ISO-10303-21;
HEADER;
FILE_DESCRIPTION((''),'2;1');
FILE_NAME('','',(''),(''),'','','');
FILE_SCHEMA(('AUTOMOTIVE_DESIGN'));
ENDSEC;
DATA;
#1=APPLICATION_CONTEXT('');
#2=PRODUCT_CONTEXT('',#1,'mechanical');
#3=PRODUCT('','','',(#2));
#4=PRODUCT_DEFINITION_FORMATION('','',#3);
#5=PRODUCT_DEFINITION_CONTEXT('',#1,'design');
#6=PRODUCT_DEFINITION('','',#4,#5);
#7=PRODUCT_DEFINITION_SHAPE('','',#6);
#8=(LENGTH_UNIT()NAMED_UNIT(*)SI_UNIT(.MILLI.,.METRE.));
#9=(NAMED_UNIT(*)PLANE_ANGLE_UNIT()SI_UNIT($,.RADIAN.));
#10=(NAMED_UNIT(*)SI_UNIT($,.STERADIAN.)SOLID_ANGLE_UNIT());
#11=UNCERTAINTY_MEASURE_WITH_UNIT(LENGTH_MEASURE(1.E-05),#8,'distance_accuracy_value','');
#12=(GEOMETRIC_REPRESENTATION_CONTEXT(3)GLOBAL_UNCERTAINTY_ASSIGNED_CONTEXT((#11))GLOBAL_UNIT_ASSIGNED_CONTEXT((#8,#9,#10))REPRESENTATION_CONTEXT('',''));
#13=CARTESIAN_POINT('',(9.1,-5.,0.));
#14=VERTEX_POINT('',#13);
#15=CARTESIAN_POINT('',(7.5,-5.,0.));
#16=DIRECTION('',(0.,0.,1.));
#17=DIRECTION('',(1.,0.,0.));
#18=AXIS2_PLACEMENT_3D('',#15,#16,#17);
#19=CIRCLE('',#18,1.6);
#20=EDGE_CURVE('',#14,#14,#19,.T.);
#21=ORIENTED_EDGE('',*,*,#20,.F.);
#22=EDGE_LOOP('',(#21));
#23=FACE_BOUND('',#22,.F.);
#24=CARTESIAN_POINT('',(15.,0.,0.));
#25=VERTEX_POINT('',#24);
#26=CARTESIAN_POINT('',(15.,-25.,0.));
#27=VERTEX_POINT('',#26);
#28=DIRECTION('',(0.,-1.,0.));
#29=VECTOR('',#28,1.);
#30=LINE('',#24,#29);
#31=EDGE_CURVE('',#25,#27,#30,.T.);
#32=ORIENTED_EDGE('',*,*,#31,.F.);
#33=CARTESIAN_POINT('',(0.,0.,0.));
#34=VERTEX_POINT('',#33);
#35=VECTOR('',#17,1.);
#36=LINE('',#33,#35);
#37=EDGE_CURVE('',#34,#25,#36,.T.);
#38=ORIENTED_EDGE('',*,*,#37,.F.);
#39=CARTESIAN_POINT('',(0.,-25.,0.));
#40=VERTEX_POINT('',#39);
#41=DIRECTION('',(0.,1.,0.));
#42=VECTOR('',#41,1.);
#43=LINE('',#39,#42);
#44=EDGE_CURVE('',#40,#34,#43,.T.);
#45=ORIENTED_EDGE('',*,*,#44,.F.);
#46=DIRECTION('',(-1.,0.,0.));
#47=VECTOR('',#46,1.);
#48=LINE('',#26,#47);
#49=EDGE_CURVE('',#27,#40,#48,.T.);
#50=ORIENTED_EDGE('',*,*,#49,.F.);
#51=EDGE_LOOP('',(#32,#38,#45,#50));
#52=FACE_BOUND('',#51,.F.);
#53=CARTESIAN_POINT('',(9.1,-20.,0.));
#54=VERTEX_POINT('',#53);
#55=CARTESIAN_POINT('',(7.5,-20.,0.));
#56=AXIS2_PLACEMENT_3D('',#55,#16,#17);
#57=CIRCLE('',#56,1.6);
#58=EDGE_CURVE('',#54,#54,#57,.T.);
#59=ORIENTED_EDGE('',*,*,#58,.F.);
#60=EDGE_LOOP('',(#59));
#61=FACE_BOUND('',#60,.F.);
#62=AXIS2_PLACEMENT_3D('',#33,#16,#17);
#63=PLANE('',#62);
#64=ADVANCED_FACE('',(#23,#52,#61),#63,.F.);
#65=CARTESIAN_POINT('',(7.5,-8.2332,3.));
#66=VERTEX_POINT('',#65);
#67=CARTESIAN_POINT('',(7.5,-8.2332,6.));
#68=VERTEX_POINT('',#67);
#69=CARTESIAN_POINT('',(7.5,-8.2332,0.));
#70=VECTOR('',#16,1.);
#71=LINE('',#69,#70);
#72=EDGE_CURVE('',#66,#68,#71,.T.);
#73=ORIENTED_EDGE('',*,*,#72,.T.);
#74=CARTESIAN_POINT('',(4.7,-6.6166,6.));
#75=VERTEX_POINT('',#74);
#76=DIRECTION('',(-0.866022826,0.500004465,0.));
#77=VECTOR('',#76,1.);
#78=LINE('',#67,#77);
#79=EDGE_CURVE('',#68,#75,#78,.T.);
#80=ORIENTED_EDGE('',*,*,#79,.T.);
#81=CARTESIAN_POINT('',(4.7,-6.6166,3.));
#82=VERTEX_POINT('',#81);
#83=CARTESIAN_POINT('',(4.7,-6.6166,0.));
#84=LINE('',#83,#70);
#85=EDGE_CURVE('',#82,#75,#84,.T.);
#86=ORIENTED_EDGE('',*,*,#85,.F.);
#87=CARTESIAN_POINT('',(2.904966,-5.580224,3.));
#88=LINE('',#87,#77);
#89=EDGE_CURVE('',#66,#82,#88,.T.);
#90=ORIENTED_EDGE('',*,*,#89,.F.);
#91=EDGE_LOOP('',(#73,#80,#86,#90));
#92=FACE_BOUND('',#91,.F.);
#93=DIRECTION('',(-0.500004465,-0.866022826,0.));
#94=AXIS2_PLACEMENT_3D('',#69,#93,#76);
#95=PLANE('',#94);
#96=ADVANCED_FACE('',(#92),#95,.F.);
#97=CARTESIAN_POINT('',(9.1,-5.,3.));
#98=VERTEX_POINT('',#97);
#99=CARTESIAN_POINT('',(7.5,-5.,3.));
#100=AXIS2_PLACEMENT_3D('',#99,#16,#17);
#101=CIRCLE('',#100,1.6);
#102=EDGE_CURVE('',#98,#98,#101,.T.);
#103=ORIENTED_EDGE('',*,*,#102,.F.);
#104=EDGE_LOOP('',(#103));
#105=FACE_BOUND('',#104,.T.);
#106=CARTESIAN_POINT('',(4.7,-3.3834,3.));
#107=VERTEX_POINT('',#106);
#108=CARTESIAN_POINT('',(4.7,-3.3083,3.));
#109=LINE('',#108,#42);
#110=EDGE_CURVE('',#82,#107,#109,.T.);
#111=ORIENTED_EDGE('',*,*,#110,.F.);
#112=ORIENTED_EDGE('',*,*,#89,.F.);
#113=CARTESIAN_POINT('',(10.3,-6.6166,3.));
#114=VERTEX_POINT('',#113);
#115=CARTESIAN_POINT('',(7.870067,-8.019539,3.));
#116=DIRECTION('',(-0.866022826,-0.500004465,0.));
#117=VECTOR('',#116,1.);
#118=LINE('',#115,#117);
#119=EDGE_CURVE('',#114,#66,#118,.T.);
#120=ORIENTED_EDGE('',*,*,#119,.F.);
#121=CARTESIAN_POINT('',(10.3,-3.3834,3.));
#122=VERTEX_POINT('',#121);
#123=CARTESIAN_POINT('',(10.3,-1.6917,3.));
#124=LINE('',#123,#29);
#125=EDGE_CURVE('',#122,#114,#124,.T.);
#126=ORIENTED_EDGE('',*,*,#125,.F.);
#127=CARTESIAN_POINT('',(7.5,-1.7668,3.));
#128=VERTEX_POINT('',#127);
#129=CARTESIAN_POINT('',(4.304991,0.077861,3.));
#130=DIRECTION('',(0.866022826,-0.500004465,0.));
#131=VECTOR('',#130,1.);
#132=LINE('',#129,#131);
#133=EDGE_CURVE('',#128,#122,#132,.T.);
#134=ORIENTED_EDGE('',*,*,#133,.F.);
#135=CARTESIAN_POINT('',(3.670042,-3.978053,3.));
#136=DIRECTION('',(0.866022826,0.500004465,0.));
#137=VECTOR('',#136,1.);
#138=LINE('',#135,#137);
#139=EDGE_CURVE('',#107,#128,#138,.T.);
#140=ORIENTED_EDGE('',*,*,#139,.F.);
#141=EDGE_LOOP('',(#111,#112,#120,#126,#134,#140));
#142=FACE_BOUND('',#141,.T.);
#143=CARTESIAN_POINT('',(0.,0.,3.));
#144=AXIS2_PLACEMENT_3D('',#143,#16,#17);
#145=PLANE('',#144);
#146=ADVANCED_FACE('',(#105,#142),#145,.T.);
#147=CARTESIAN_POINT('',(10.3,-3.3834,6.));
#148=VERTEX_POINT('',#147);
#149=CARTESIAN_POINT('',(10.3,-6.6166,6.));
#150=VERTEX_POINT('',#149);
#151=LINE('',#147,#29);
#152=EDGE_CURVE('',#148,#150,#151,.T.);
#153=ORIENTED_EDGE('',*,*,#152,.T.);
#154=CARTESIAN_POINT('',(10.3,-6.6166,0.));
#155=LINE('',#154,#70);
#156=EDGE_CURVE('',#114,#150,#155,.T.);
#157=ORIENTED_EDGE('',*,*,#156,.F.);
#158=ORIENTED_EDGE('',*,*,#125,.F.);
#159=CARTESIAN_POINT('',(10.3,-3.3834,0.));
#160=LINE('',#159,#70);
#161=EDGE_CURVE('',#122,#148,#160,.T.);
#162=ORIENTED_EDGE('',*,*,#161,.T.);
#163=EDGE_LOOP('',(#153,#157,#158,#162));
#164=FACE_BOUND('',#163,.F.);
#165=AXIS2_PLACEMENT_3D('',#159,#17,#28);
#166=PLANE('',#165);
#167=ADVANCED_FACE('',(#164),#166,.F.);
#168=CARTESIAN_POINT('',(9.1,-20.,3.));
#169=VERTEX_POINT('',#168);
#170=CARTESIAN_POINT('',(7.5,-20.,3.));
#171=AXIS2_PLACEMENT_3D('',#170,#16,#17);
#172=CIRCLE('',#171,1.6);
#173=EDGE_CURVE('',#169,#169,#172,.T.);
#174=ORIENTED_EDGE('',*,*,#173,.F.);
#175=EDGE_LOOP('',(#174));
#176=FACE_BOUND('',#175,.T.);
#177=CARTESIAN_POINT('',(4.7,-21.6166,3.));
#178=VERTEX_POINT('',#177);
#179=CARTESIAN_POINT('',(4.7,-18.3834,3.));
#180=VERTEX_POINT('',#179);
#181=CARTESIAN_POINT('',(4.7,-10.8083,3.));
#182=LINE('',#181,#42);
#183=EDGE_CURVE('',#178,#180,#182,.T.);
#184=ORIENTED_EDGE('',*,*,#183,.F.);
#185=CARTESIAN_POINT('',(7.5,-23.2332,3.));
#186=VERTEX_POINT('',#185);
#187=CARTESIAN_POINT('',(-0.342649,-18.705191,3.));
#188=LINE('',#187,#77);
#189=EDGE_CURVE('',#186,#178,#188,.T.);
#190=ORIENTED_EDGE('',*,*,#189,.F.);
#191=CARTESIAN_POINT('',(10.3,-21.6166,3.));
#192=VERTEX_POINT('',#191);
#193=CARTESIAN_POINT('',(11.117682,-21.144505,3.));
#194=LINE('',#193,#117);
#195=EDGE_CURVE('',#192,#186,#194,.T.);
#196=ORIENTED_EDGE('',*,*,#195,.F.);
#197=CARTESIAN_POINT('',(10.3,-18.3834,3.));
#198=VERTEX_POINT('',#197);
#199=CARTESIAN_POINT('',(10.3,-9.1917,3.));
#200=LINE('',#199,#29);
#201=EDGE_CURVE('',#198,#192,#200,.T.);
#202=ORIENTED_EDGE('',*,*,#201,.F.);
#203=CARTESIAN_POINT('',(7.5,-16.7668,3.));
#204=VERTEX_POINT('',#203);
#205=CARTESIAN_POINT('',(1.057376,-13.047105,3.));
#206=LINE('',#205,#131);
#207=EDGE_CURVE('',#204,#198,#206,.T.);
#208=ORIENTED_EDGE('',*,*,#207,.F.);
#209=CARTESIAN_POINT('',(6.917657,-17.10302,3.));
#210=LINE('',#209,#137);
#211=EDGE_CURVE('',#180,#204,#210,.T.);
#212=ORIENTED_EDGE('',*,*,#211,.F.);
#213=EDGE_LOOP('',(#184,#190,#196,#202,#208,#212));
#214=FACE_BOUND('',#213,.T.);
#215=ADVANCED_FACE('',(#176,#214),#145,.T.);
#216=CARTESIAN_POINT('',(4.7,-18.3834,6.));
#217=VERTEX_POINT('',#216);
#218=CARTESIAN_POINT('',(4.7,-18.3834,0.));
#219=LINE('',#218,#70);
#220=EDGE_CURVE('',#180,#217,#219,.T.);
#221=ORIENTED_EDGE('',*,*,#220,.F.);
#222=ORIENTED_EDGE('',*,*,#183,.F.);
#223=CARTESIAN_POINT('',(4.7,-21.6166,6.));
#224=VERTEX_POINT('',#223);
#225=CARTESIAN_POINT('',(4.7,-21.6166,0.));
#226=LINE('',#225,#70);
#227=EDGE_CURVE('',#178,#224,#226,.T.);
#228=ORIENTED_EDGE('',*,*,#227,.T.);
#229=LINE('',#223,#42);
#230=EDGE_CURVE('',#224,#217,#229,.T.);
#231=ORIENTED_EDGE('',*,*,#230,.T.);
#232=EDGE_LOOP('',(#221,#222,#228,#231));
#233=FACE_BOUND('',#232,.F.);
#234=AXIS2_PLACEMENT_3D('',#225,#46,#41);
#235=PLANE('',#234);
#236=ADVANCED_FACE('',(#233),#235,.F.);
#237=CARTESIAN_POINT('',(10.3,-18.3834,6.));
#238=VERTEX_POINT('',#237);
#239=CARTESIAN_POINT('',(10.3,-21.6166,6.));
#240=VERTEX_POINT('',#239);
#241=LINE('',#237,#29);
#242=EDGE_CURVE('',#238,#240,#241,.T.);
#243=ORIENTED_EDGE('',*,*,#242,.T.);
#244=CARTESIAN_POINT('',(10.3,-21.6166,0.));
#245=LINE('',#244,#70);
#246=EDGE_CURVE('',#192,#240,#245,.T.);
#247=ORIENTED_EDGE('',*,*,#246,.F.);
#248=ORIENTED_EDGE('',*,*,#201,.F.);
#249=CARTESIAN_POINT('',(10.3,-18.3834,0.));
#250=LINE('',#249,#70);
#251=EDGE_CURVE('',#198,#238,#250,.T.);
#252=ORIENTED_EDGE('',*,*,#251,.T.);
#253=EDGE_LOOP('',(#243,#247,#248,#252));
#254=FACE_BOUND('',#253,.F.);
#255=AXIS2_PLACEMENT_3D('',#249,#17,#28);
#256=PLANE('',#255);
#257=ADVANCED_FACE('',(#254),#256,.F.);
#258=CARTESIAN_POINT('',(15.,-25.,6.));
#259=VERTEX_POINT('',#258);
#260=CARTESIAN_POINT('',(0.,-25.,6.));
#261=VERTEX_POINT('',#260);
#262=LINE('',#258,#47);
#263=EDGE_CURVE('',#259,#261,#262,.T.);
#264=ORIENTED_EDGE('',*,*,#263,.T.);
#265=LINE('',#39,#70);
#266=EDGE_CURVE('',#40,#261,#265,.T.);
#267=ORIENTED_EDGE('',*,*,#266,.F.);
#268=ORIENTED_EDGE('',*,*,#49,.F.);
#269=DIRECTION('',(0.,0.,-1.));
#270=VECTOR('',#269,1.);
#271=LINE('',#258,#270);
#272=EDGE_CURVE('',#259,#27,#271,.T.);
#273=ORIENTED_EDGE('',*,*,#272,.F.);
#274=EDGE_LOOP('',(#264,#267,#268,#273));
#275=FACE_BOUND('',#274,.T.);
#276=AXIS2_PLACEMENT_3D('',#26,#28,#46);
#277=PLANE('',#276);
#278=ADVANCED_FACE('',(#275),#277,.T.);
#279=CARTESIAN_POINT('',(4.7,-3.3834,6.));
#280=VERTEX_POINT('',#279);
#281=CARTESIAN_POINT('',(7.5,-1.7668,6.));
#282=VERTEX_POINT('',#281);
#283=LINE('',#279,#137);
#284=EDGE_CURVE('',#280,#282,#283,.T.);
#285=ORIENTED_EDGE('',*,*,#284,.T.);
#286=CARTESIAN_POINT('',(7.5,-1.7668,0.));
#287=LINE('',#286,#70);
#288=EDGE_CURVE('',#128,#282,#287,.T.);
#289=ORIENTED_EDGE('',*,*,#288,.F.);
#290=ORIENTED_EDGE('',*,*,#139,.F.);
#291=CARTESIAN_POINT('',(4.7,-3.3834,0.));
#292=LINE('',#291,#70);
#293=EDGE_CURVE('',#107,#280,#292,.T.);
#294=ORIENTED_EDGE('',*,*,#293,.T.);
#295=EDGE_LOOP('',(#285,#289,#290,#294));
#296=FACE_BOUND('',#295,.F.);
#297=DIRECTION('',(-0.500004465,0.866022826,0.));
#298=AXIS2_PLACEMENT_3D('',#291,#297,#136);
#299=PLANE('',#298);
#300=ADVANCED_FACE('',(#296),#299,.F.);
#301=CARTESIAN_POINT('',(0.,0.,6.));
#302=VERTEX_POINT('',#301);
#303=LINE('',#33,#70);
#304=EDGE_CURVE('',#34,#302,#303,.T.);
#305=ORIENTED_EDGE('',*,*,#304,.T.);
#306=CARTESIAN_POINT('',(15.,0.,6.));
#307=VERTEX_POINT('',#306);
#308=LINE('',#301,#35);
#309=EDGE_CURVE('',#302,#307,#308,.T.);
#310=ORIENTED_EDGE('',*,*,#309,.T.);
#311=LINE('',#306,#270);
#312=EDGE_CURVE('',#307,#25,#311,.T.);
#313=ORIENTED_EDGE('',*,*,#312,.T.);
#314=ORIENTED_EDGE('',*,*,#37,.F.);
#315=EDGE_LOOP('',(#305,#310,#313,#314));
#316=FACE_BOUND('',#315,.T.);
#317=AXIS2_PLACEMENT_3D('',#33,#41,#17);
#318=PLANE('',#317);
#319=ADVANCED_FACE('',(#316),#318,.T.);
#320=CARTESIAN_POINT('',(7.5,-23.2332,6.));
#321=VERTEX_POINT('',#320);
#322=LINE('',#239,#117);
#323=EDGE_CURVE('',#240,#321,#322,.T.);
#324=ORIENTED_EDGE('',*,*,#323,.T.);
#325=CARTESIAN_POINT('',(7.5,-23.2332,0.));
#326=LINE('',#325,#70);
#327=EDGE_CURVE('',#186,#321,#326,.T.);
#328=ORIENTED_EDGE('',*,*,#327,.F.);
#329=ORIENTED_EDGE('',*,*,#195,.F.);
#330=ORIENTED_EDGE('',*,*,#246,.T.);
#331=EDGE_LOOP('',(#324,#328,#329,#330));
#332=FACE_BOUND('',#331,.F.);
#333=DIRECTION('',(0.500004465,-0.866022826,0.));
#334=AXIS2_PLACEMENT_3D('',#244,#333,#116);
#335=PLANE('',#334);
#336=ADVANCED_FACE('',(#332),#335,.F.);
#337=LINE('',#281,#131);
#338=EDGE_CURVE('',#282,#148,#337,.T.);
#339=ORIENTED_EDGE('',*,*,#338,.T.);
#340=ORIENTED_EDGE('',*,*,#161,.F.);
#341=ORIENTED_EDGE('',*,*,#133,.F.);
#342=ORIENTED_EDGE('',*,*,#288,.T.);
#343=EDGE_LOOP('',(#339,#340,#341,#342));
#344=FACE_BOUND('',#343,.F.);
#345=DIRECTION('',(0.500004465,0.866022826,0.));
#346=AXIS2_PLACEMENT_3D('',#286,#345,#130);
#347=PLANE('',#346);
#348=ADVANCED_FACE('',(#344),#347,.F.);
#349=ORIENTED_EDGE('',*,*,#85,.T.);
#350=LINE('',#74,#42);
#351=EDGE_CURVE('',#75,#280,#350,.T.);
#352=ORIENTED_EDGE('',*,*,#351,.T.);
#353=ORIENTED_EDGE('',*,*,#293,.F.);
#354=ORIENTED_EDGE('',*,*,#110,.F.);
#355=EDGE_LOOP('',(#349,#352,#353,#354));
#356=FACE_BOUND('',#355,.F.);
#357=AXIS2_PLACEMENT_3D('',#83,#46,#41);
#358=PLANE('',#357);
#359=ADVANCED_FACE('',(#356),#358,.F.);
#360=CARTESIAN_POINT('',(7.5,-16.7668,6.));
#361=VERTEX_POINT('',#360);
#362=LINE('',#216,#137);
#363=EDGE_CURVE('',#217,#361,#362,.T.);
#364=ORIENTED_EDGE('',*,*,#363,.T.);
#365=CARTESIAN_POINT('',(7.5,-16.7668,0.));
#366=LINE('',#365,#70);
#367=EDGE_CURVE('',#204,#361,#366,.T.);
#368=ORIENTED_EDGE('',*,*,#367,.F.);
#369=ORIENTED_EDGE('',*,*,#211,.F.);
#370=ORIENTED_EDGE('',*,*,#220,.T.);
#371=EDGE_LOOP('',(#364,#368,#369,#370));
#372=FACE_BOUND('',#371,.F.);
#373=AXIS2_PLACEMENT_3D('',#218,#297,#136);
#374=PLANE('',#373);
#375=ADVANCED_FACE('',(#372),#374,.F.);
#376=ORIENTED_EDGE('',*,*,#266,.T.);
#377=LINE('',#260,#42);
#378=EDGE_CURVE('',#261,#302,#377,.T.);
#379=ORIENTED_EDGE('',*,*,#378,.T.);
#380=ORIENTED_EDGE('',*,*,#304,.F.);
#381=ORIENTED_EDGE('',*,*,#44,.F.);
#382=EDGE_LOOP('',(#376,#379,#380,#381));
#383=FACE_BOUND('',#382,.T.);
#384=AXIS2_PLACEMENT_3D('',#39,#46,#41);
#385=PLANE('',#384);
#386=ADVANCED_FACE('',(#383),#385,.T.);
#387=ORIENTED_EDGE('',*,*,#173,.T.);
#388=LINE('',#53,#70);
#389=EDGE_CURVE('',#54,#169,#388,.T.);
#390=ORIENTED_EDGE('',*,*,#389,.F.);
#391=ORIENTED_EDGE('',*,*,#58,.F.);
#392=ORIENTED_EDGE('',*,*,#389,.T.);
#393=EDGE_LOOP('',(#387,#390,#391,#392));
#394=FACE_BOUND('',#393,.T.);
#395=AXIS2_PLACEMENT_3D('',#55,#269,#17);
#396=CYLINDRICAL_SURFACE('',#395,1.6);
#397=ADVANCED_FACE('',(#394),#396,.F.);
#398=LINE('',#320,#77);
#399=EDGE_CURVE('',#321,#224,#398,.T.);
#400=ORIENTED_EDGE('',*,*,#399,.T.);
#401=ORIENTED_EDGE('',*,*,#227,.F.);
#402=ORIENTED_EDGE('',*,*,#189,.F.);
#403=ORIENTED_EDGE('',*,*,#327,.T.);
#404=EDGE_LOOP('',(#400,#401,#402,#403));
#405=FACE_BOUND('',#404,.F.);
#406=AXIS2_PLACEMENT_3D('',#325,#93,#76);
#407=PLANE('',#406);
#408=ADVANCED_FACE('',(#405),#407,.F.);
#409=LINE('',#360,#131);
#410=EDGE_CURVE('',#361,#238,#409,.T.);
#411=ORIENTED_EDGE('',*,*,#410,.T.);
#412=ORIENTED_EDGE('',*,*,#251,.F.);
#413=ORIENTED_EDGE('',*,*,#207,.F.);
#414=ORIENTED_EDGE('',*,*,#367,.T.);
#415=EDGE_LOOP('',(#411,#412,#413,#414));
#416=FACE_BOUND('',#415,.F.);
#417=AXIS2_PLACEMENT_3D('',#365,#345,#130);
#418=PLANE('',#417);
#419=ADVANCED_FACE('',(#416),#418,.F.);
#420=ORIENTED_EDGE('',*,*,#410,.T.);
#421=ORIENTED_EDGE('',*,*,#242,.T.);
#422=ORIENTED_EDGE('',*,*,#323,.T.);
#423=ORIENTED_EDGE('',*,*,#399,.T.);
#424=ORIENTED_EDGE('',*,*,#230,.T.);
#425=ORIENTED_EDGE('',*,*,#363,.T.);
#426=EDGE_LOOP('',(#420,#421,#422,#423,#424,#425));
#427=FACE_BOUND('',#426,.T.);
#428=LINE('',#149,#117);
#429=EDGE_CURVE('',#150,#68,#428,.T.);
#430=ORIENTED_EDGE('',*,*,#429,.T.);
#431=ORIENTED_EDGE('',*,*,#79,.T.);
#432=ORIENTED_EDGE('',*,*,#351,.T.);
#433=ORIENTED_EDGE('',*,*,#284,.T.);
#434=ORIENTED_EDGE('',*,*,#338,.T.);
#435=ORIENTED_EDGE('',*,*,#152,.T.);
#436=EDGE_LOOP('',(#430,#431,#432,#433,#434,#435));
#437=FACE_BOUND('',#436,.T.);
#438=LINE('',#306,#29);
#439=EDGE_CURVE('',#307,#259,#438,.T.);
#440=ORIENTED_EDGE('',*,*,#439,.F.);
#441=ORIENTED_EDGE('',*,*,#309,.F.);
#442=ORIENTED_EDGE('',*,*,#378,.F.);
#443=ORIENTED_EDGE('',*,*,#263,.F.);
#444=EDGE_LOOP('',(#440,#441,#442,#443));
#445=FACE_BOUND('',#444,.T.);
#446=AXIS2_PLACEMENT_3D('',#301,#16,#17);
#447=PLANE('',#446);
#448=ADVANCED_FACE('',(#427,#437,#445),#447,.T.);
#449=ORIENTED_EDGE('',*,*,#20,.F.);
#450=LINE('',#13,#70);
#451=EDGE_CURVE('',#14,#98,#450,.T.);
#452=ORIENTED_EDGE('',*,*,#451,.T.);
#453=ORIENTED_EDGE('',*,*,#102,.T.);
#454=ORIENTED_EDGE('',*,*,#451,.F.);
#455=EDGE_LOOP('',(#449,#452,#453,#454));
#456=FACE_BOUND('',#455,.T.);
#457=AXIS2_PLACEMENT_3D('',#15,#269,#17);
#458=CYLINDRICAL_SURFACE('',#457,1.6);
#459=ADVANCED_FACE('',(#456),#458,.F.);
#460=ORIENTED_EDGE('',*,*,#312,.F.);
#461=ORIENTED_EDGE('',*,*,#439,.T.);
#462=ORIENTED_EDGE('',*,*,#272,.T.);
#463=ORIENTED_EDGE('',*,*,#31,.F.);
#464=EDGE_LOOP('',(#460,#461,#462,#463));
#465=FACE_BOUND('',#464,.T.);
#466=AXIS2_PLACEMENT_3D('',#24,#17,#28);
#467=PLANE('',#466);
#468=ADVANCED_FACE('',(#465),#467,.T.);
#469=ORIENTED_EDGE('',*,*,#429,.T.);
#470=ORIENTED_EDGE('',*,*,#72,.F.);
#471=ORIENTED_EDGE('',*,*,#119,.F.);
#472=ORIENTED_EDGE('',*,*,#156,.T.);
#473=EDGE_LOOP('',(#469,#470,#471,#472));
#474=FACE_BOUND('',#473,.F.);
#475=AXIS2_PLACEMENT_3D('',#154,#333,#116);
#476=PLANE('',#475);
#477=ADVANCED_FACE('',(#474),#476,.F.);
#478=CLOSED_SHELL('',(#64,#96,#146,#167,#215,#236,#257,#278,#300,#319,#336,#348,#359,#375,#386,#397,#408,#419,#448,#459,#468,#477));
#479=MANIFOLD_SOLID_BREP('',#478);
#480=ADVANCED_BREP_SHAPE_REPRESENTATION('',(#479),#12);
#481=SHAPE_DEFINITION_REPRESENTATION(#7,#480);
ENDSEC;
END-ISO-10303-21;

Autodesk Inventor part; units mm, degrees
ref_plane "YZ Plane" through (0, 0, 0) normal (1, 0, 0) x (0, 1, 0)
ref_plane "XZ Plane" through (0, 0, 0) normal (0, 1, 0) x (-1, 0, 0)
ref_plane "XY Plane" through (0, 0, 0) normal (0, 0, 1) x (1, 0, 0)
sketch "Skizze1" plane through (0, 0, 0) normal (0, 0, 1) x (1, 0, 0)
  line L0 (0, 0) -> (15, 0)
  line L1 (15, 0) -> (15, -25)
  line L2 (15, -25) -> (0, -25)
  line L3 (0, -25) -> (0, 0)
  line L4 (15.813, -10.2189) -> (15.812, -10.2179)
  line L5 (15.8113, -10.2187) -> (15.812, -10.2194)
  line L6 (15.812, -10.2179) -> (15.8113, -10.2187)
  line L7 (15.812, -10.2179) -> (15.8113, -10.2187)
  line L8 (15.812, -10.2179) -> (15.8113, -10.2187)
  line L9 (15.8113, -10.2187) -> (15.812, -10.2194)
  line L10 (15.8113, -10.2187) -> (15.812, -10.2194)
  line L11 (15.813, -10.2189) -> (15.812, -10.2179)
  line L12 (15.813, -10.2189) -> (15.812, -10.2179)
  line L13 (15.812, -10.2179) -> (15.8113, -10.2187)
  line L14 (15.813, -10.2189) -> (15.812, -10.2179)
  line L15 (15.8113, -10.2187) -> (15.812, -10.2194)
  line L16 (7.5, -8.2332) -> (4.7, -6.6166)
  line L17 (4.7, -6.6166) -> (4.7, -3.3834)
  line L18 (4.7, -3.3834) -> (7.5, -1.7668)
  line L19 (7.5, -1.7668) -> (10.3, -3.3834)
  line L20 (10.3, -3.3834) -> (10.3, -6.6166)
  line L21 (10.3, -6.6166) -> (7.5, -8.2332)
  circle A0 centre (7.5, -5) radius 1.6
  line L22 (10.3, -18.3834) -> (10.3, -21.6166)
  line L23 (10.3, -21.6166) -> (7.5, -23.2332)
  line L24 (7.5, -23.2332) -> (4.7, -21.6166)
  circle A1 centre (7.5, -20) radius 1.6
  line L25 (7.5, -16.7668) -> (10.3, -18.3834)
  line L26 (4.7, -18.3834) -> (7.5, -16.7668)
  line L27 (4.7, -21.6166) -> (4.7, -18.3834)
  dimension "d0" = 25
  dimension "d1" = 15
  dimension "d2" = 5.6
  dimension "d5" = 3.2
  dimension "d6" = 5.6
  dimension "d7" = 3.2
  dimension "d8" = 5
  dimension "d9" = 5
  dimension "d10" = 7.5
extrude "Extrusion1" add sketch "Skizze1" along normal blind 6 contours L0 L1 L2 L3
extrude "Extrusion2" add sketch "Skizze1" along normal blind 3 contours L0 L1 L2 L3 | L16 L17 L18 L19 L20 L21 | L22 L23 L24 L27 L26 L25
equation "\"d9\" = d8"
properties part number "Dribbler Motor Mount Upper Section"
